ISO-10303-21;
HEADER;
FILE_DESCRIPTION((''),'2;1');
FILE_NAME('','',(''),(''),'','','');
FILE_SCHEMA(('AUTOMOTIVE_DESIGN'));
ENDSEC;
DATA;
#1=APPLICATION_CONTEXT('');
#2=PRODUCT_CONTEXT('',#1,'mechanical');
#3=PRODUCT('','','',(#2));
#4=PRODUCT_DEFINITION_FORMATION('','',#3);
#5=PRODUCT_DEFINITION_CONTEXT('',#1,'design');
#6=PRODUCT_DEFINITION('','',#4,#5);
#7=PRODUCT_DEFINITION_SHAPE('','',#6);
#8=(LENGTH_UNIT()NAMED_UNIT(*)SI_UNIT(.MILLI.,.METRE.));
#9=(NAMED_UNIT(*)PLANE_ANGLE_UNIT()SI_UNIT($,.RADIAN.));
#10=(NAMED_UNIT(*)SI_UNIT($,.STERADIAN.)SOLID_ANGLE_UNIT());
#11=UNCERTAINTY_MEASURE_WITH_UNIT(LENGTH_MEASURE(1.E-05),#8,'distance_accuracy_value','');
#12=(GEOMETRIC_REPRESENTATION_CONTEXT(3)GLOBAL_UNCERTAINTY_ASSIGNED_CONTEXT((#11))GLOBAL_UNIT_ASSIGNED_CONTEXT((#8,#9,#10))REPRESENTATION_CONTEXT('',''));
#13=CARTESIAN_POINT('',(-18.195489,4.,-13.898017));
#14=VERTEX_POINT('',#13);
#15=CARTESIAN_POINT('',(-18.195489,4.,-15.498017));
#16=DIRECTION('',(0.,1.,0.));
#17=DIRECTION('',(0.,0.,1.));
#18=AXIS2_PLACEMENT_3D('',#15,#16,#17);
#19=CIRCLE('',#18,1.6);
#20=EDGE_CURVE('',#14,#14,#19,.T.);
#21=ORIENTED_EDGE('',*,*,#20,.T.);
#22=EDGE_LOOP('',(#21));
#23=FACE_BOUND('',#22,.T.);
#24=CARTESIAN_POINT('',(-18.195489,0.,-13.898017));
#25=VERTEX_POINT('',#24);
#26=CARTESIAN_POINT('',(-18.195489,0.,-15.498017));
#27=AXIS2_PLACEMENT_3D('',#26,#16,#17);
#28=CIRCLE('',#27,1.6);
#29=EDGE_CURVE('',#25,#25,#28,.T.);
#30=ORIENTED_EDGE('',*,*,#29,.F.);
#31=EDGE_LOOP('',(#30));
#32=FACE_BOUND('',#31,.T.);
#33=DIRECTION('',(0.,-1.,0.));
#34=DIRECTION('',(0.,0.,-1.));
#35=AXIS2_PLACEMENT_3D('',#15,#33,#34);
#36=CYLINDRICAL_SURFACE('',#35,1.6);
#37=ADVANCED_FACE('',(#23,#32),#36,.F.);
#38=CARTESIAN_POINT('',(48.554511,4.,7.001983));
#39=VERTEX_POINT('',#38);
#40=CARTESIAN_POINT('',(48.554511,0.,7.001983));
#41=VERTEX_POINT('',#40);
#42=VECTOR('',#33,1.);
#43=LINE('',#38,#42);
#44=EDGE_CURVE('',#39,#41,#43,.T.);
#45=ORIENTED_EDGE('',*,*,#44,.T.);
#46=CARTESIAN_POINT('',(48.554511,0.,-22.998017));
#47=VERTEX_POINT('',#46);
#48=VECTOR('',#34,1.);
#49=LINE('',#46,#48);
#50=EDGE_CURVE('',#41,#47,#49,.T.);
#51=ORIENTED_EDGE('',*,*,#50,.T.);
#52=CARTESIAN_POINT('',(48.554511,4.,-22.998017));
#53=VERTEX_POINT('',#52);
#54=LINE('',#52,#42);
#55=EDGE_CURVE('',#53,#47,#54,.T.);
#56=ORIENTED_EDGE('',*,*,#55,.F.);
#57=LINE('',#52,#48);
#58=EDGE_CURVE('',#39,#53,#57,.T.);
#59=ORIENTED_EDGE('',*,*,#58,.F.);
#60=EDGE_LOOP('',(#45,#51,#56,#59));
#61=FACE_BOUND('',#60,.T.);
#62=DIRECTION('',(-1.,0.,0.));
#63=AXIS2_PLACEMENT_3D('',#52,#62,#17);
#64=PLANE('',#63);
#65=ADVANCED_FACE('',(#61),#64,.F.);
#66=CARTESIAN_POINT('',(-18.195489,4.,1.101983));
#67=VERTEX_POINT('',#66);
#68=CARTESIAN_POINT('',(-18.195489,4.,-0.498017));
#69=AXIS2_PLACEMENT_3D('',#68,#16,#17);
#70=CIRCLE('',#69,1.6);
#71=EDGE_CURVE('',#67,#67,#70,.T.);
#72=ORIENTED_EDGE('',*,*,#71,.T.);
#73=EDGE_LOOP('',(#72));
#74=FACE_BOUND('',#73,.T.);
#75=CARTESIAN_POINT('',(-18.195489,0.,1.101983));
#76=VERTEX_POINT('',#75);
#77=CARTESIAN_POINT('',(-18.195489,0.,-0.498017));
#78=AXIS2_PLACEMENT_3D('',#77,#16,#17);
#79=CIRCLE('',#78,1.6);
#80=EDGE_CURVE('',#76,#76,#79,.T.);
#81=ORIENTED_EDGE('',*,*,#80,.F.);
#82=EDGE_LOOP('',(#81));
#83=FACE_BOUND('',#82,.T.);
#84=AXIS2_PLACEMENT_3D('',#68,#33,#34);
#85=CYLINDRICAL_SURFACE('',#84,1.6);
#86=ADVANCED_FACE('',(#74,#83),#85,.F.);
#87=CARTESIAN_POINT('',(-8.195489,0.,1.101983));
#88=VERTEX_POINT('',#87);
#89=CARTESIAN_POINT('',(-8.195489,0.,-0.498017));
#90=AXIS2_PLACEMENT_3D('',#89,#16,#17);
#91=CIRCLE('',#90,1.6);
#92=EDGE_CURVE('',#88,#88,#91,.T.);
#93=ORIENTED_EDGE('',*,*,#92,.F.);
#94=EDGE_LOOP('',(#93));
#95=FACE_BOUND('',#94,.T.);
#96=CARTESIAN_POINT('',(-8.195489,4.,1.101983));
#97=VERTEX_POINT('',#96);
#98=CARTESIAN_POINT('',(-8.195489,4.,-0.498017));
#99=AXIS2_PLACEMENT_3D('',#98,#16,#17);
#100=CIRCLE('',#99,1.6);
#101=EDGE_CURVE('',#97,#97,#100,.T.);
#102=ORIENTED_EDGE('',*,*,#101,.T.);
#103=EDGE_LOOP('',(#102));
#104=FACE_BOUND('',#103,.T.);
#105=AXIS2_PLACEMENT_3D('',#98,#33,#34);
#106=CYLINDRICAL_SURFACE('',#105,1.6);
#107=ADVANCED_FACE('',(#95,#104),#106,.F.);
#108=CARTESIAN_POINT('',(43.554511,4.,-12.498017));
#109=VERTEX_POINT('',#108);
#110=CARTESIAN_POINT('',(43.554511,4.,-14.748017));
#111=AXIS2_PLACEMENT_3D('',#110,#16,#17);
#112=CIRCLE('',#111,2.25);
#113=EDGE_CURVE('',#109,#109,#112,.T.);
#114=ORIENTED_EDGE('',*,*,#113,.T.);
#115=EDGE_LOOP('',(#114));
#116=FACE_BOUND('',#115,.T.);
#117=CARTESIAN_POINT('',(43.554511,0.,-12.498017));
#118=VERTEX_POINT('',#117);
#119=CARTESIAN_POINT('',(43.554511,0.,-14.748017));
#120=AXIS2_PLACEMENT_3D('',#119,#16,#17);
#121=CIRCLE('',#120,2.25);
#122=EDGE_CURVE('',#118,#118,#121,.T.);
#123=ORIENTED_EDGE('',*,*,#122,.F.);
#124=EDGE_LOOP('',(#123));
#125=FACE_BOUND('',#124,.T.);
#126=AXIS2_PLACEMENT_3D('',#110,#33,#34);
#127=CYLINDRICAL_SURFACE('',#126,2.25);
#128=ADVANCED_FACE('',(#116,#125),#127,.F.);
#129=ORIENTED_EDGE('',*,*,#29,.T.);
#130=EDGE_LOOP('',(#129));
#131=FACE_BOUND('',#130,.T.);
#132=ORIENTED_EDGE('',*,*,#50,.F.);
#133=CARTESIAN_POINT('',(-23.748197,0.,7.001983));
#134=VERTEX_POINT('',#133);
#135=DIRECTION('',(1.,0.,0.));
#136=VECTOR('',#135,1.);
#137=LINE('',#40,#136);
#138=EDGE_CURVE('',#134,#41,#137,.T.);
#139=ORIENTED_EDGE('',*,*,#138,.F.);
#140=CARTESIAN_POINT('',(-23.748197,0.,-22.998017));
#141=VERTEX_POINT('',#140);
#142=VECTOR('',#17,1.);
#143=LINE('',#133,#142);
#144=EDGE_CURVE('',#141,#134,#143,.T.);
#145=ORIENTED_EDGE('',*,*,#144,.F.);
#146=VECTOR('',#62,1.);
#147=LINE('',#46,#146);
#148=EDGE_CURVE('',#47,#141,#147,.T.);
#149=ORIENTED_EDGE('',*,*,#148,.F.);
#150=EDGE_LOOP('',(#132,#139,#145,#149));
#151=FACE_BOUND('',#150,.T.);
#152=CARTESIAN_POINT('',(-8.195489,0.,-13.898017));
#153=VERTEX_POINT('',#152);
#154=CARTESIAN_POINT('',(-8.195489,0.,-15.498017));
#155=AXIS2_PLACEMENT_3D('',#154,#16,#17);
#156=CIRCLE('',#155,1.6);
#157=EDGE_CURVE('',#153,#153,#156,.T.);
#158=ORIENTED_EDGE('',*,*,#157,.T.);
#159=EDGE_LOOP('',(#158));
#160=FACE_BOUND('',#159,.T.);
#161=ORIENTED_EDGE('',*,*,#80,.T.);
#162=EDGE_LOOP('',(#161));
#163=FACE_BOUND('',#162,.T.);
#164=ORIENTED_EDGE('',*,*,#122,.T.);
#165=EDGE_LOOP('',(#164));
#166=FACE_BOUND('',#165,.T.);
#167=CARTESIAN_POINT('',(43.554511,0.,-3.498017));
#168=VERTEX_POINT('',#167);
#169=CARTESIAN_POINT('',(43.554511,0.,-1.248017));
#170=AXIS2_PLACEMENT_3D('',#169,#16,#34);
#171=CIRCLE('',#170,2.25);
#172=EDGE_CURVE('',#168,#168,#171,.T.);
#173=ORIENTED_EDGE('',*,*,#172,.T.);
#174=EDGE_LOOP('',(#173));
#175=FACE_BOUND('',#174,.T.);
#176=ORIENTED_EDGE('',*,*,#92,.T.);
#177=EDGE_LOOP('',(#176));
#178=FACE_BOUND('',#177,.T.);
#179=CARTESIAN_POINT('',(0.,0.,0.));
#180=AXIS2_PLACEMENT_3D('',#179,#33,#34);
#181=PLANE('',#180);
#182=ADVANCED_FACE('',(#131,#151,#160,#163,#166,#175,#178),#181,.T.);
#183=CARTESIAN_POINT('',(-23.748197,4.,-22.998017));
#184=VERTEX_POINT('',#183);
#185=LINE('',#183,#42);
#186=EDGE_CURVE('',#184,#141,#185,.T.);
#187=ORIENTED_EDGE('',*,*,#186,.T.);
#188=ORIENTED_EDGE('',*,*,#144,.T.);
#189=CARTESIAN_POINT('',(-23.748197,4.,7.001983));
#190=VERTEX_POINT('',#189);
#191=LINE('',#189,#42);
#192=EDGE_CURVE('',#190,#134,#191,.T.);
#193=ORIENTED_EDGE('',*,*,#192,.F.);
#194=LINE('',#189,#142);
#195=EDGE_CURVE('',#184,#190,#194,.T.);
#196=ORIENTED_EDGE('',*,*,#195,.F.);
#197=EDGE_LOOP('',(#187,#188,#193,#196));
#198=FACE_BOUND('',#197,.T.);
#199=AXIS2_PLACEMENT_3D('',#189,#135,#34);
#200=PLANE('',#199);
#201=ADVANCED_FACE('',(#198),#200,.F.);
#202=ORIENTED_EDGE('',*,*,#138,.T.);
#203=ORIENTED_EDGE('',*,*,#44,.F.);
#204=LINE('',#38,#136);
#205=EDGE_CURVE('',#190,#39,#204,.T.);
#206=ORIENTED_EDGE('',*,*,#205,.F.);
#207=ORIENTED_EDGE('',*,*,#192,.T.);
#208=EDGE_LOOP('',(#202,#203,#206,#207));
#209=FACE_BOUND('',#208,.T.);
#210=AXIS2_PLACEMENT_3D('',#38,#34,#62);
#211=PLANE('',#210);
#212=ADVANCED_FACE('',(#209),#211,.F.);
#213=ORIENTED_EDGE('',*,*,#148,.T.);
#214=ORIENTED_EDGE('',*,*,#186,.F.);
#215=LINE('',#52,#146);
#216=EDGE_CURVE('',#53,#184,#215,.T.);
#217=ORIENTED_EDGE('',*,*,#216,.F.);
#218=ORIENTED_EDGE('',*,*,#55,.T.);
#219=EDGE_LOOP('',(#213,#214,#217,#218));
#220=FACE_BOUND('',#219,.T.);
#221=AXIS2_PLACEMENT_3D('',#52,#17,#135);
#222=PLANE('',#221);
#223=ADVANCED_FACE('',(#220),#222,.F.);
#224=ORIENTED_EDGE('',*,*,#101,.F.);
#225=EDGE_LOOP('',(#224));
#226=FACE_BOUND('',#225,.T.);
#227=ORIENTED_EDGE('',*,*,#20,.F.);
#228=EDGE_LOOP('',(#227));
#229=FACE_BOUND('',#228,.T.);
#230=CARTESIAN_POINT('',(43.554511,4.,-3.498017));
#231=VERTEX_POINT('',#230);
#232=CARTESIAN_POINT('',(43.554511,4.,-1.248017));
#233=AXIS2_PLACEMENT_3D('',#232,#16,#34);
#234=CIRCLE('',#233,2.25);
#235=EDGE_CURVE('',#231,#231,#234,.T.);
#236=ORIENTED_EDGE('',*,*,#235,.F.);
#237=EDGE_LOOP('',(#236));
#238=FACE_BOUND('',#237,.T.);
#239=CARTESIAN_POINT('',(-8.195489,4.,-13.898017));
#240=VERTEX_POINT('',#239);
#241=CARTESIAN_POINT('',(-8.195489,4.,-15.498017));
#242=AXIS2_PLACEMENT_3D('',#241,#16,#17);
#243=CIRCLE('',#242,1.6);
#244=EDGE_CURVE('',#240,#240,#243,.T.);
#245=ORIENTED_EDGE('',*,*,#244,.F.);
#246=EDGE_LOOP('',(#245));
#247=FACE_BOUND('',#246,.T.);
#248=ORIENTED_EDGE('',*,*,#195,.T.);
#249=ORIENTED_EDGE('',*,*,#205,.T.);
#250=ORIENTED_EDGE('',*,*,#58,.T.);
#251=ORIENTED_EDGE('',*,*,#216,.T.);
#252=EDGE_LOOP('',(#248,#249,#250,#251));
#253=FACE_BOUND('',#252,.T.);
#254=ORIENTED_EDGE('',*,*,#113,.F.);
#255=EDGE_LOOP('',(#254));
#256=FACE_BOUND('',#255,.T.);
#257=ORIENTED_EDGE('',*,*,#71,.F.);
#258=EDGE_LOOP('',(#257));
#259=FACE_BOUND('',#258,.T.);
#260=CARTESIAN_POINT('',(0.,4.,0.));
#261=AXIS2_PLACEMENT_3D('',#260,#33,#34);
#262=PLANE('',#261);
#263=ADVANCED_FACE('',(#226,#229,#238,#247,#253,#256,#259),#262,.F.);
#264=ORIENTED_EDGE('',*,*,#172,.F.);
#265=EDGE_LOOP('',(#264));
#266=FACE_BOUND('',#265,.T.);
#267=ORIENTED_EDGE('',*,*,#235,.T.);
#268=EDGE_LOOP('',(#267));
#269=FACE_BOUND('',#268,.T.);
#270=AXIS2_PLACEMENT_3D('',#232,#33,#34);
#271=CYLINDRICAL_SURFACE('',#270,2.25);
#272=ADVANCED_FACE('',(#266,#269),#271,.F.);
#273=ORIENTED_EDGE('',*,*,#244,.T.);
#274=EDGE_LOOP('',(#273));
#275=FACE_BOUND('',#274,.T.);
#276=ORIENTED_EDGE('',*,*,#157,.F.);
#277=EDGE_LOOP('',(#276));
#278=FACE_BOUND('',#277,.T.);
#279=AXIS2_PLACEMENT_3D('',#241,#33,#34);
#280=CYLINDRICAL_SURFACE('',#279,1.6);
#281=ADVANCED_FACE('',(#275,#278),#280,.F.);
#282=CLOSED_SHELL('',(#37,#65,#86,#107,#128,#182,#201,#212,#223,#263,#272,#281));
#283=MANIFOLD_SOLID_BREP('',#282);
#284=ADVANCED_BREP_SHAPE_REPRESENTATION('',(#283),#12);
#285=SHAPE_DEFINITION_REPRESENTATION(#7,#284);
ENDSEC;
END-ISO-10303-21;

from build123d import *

# Parameters (mm, degrees)
SKETCH_1_W      = 72.302708202
SKETCH_1_H      = 30
SKETCH_1_R      = 1.6
SKETCH_1_R_2    = 2.25
EXTRUDE_1_DEPTH = 4


with BuildPart() as part:
    # 草图1 → 凸台-拉伸1 (new body)
    with BuildSketch(Plane(origin=(0, 0, 0), x_dir=(1, 0, 0), z_dir=(0, 1, 0))):
        with Locations((12.403157177, 7.998017492)):
            Rectangle(SKETCH_1_W, SKETCH_1_H)
        with Locations((-18.195488722, 15.498017492)):
            Circle(SKETCH_1_R, mode=Mode.SUBTRACT)
        with Locations((-18.195488722, 0.498017492)):
            Circle(SKETCH_1_R, mode=Mode.SUBTRACT)
        with Locations((-8.195488722, 15.498017492)):
            Circle(SKETCH_1_R, mode=Mode.SUBTRACT)
        with Locations((-8.195488722, 0.498017492)):
            Circle(SKETCH_1_R, mode=Mode.SUBTRACT)
        with Locations((43.554511278, 14.748017492)):
            Circle(SKETCH_1_R_2, mode=Mode.SUBTRACT)
        with Locations((43.554511278, 1.248017492)):
            Circle(SKETCH_1_R_2, mode=Mode.SUBTRACT)
    extrude(amount=EXTRUDE_1_DEPTH)


solid = part.part
